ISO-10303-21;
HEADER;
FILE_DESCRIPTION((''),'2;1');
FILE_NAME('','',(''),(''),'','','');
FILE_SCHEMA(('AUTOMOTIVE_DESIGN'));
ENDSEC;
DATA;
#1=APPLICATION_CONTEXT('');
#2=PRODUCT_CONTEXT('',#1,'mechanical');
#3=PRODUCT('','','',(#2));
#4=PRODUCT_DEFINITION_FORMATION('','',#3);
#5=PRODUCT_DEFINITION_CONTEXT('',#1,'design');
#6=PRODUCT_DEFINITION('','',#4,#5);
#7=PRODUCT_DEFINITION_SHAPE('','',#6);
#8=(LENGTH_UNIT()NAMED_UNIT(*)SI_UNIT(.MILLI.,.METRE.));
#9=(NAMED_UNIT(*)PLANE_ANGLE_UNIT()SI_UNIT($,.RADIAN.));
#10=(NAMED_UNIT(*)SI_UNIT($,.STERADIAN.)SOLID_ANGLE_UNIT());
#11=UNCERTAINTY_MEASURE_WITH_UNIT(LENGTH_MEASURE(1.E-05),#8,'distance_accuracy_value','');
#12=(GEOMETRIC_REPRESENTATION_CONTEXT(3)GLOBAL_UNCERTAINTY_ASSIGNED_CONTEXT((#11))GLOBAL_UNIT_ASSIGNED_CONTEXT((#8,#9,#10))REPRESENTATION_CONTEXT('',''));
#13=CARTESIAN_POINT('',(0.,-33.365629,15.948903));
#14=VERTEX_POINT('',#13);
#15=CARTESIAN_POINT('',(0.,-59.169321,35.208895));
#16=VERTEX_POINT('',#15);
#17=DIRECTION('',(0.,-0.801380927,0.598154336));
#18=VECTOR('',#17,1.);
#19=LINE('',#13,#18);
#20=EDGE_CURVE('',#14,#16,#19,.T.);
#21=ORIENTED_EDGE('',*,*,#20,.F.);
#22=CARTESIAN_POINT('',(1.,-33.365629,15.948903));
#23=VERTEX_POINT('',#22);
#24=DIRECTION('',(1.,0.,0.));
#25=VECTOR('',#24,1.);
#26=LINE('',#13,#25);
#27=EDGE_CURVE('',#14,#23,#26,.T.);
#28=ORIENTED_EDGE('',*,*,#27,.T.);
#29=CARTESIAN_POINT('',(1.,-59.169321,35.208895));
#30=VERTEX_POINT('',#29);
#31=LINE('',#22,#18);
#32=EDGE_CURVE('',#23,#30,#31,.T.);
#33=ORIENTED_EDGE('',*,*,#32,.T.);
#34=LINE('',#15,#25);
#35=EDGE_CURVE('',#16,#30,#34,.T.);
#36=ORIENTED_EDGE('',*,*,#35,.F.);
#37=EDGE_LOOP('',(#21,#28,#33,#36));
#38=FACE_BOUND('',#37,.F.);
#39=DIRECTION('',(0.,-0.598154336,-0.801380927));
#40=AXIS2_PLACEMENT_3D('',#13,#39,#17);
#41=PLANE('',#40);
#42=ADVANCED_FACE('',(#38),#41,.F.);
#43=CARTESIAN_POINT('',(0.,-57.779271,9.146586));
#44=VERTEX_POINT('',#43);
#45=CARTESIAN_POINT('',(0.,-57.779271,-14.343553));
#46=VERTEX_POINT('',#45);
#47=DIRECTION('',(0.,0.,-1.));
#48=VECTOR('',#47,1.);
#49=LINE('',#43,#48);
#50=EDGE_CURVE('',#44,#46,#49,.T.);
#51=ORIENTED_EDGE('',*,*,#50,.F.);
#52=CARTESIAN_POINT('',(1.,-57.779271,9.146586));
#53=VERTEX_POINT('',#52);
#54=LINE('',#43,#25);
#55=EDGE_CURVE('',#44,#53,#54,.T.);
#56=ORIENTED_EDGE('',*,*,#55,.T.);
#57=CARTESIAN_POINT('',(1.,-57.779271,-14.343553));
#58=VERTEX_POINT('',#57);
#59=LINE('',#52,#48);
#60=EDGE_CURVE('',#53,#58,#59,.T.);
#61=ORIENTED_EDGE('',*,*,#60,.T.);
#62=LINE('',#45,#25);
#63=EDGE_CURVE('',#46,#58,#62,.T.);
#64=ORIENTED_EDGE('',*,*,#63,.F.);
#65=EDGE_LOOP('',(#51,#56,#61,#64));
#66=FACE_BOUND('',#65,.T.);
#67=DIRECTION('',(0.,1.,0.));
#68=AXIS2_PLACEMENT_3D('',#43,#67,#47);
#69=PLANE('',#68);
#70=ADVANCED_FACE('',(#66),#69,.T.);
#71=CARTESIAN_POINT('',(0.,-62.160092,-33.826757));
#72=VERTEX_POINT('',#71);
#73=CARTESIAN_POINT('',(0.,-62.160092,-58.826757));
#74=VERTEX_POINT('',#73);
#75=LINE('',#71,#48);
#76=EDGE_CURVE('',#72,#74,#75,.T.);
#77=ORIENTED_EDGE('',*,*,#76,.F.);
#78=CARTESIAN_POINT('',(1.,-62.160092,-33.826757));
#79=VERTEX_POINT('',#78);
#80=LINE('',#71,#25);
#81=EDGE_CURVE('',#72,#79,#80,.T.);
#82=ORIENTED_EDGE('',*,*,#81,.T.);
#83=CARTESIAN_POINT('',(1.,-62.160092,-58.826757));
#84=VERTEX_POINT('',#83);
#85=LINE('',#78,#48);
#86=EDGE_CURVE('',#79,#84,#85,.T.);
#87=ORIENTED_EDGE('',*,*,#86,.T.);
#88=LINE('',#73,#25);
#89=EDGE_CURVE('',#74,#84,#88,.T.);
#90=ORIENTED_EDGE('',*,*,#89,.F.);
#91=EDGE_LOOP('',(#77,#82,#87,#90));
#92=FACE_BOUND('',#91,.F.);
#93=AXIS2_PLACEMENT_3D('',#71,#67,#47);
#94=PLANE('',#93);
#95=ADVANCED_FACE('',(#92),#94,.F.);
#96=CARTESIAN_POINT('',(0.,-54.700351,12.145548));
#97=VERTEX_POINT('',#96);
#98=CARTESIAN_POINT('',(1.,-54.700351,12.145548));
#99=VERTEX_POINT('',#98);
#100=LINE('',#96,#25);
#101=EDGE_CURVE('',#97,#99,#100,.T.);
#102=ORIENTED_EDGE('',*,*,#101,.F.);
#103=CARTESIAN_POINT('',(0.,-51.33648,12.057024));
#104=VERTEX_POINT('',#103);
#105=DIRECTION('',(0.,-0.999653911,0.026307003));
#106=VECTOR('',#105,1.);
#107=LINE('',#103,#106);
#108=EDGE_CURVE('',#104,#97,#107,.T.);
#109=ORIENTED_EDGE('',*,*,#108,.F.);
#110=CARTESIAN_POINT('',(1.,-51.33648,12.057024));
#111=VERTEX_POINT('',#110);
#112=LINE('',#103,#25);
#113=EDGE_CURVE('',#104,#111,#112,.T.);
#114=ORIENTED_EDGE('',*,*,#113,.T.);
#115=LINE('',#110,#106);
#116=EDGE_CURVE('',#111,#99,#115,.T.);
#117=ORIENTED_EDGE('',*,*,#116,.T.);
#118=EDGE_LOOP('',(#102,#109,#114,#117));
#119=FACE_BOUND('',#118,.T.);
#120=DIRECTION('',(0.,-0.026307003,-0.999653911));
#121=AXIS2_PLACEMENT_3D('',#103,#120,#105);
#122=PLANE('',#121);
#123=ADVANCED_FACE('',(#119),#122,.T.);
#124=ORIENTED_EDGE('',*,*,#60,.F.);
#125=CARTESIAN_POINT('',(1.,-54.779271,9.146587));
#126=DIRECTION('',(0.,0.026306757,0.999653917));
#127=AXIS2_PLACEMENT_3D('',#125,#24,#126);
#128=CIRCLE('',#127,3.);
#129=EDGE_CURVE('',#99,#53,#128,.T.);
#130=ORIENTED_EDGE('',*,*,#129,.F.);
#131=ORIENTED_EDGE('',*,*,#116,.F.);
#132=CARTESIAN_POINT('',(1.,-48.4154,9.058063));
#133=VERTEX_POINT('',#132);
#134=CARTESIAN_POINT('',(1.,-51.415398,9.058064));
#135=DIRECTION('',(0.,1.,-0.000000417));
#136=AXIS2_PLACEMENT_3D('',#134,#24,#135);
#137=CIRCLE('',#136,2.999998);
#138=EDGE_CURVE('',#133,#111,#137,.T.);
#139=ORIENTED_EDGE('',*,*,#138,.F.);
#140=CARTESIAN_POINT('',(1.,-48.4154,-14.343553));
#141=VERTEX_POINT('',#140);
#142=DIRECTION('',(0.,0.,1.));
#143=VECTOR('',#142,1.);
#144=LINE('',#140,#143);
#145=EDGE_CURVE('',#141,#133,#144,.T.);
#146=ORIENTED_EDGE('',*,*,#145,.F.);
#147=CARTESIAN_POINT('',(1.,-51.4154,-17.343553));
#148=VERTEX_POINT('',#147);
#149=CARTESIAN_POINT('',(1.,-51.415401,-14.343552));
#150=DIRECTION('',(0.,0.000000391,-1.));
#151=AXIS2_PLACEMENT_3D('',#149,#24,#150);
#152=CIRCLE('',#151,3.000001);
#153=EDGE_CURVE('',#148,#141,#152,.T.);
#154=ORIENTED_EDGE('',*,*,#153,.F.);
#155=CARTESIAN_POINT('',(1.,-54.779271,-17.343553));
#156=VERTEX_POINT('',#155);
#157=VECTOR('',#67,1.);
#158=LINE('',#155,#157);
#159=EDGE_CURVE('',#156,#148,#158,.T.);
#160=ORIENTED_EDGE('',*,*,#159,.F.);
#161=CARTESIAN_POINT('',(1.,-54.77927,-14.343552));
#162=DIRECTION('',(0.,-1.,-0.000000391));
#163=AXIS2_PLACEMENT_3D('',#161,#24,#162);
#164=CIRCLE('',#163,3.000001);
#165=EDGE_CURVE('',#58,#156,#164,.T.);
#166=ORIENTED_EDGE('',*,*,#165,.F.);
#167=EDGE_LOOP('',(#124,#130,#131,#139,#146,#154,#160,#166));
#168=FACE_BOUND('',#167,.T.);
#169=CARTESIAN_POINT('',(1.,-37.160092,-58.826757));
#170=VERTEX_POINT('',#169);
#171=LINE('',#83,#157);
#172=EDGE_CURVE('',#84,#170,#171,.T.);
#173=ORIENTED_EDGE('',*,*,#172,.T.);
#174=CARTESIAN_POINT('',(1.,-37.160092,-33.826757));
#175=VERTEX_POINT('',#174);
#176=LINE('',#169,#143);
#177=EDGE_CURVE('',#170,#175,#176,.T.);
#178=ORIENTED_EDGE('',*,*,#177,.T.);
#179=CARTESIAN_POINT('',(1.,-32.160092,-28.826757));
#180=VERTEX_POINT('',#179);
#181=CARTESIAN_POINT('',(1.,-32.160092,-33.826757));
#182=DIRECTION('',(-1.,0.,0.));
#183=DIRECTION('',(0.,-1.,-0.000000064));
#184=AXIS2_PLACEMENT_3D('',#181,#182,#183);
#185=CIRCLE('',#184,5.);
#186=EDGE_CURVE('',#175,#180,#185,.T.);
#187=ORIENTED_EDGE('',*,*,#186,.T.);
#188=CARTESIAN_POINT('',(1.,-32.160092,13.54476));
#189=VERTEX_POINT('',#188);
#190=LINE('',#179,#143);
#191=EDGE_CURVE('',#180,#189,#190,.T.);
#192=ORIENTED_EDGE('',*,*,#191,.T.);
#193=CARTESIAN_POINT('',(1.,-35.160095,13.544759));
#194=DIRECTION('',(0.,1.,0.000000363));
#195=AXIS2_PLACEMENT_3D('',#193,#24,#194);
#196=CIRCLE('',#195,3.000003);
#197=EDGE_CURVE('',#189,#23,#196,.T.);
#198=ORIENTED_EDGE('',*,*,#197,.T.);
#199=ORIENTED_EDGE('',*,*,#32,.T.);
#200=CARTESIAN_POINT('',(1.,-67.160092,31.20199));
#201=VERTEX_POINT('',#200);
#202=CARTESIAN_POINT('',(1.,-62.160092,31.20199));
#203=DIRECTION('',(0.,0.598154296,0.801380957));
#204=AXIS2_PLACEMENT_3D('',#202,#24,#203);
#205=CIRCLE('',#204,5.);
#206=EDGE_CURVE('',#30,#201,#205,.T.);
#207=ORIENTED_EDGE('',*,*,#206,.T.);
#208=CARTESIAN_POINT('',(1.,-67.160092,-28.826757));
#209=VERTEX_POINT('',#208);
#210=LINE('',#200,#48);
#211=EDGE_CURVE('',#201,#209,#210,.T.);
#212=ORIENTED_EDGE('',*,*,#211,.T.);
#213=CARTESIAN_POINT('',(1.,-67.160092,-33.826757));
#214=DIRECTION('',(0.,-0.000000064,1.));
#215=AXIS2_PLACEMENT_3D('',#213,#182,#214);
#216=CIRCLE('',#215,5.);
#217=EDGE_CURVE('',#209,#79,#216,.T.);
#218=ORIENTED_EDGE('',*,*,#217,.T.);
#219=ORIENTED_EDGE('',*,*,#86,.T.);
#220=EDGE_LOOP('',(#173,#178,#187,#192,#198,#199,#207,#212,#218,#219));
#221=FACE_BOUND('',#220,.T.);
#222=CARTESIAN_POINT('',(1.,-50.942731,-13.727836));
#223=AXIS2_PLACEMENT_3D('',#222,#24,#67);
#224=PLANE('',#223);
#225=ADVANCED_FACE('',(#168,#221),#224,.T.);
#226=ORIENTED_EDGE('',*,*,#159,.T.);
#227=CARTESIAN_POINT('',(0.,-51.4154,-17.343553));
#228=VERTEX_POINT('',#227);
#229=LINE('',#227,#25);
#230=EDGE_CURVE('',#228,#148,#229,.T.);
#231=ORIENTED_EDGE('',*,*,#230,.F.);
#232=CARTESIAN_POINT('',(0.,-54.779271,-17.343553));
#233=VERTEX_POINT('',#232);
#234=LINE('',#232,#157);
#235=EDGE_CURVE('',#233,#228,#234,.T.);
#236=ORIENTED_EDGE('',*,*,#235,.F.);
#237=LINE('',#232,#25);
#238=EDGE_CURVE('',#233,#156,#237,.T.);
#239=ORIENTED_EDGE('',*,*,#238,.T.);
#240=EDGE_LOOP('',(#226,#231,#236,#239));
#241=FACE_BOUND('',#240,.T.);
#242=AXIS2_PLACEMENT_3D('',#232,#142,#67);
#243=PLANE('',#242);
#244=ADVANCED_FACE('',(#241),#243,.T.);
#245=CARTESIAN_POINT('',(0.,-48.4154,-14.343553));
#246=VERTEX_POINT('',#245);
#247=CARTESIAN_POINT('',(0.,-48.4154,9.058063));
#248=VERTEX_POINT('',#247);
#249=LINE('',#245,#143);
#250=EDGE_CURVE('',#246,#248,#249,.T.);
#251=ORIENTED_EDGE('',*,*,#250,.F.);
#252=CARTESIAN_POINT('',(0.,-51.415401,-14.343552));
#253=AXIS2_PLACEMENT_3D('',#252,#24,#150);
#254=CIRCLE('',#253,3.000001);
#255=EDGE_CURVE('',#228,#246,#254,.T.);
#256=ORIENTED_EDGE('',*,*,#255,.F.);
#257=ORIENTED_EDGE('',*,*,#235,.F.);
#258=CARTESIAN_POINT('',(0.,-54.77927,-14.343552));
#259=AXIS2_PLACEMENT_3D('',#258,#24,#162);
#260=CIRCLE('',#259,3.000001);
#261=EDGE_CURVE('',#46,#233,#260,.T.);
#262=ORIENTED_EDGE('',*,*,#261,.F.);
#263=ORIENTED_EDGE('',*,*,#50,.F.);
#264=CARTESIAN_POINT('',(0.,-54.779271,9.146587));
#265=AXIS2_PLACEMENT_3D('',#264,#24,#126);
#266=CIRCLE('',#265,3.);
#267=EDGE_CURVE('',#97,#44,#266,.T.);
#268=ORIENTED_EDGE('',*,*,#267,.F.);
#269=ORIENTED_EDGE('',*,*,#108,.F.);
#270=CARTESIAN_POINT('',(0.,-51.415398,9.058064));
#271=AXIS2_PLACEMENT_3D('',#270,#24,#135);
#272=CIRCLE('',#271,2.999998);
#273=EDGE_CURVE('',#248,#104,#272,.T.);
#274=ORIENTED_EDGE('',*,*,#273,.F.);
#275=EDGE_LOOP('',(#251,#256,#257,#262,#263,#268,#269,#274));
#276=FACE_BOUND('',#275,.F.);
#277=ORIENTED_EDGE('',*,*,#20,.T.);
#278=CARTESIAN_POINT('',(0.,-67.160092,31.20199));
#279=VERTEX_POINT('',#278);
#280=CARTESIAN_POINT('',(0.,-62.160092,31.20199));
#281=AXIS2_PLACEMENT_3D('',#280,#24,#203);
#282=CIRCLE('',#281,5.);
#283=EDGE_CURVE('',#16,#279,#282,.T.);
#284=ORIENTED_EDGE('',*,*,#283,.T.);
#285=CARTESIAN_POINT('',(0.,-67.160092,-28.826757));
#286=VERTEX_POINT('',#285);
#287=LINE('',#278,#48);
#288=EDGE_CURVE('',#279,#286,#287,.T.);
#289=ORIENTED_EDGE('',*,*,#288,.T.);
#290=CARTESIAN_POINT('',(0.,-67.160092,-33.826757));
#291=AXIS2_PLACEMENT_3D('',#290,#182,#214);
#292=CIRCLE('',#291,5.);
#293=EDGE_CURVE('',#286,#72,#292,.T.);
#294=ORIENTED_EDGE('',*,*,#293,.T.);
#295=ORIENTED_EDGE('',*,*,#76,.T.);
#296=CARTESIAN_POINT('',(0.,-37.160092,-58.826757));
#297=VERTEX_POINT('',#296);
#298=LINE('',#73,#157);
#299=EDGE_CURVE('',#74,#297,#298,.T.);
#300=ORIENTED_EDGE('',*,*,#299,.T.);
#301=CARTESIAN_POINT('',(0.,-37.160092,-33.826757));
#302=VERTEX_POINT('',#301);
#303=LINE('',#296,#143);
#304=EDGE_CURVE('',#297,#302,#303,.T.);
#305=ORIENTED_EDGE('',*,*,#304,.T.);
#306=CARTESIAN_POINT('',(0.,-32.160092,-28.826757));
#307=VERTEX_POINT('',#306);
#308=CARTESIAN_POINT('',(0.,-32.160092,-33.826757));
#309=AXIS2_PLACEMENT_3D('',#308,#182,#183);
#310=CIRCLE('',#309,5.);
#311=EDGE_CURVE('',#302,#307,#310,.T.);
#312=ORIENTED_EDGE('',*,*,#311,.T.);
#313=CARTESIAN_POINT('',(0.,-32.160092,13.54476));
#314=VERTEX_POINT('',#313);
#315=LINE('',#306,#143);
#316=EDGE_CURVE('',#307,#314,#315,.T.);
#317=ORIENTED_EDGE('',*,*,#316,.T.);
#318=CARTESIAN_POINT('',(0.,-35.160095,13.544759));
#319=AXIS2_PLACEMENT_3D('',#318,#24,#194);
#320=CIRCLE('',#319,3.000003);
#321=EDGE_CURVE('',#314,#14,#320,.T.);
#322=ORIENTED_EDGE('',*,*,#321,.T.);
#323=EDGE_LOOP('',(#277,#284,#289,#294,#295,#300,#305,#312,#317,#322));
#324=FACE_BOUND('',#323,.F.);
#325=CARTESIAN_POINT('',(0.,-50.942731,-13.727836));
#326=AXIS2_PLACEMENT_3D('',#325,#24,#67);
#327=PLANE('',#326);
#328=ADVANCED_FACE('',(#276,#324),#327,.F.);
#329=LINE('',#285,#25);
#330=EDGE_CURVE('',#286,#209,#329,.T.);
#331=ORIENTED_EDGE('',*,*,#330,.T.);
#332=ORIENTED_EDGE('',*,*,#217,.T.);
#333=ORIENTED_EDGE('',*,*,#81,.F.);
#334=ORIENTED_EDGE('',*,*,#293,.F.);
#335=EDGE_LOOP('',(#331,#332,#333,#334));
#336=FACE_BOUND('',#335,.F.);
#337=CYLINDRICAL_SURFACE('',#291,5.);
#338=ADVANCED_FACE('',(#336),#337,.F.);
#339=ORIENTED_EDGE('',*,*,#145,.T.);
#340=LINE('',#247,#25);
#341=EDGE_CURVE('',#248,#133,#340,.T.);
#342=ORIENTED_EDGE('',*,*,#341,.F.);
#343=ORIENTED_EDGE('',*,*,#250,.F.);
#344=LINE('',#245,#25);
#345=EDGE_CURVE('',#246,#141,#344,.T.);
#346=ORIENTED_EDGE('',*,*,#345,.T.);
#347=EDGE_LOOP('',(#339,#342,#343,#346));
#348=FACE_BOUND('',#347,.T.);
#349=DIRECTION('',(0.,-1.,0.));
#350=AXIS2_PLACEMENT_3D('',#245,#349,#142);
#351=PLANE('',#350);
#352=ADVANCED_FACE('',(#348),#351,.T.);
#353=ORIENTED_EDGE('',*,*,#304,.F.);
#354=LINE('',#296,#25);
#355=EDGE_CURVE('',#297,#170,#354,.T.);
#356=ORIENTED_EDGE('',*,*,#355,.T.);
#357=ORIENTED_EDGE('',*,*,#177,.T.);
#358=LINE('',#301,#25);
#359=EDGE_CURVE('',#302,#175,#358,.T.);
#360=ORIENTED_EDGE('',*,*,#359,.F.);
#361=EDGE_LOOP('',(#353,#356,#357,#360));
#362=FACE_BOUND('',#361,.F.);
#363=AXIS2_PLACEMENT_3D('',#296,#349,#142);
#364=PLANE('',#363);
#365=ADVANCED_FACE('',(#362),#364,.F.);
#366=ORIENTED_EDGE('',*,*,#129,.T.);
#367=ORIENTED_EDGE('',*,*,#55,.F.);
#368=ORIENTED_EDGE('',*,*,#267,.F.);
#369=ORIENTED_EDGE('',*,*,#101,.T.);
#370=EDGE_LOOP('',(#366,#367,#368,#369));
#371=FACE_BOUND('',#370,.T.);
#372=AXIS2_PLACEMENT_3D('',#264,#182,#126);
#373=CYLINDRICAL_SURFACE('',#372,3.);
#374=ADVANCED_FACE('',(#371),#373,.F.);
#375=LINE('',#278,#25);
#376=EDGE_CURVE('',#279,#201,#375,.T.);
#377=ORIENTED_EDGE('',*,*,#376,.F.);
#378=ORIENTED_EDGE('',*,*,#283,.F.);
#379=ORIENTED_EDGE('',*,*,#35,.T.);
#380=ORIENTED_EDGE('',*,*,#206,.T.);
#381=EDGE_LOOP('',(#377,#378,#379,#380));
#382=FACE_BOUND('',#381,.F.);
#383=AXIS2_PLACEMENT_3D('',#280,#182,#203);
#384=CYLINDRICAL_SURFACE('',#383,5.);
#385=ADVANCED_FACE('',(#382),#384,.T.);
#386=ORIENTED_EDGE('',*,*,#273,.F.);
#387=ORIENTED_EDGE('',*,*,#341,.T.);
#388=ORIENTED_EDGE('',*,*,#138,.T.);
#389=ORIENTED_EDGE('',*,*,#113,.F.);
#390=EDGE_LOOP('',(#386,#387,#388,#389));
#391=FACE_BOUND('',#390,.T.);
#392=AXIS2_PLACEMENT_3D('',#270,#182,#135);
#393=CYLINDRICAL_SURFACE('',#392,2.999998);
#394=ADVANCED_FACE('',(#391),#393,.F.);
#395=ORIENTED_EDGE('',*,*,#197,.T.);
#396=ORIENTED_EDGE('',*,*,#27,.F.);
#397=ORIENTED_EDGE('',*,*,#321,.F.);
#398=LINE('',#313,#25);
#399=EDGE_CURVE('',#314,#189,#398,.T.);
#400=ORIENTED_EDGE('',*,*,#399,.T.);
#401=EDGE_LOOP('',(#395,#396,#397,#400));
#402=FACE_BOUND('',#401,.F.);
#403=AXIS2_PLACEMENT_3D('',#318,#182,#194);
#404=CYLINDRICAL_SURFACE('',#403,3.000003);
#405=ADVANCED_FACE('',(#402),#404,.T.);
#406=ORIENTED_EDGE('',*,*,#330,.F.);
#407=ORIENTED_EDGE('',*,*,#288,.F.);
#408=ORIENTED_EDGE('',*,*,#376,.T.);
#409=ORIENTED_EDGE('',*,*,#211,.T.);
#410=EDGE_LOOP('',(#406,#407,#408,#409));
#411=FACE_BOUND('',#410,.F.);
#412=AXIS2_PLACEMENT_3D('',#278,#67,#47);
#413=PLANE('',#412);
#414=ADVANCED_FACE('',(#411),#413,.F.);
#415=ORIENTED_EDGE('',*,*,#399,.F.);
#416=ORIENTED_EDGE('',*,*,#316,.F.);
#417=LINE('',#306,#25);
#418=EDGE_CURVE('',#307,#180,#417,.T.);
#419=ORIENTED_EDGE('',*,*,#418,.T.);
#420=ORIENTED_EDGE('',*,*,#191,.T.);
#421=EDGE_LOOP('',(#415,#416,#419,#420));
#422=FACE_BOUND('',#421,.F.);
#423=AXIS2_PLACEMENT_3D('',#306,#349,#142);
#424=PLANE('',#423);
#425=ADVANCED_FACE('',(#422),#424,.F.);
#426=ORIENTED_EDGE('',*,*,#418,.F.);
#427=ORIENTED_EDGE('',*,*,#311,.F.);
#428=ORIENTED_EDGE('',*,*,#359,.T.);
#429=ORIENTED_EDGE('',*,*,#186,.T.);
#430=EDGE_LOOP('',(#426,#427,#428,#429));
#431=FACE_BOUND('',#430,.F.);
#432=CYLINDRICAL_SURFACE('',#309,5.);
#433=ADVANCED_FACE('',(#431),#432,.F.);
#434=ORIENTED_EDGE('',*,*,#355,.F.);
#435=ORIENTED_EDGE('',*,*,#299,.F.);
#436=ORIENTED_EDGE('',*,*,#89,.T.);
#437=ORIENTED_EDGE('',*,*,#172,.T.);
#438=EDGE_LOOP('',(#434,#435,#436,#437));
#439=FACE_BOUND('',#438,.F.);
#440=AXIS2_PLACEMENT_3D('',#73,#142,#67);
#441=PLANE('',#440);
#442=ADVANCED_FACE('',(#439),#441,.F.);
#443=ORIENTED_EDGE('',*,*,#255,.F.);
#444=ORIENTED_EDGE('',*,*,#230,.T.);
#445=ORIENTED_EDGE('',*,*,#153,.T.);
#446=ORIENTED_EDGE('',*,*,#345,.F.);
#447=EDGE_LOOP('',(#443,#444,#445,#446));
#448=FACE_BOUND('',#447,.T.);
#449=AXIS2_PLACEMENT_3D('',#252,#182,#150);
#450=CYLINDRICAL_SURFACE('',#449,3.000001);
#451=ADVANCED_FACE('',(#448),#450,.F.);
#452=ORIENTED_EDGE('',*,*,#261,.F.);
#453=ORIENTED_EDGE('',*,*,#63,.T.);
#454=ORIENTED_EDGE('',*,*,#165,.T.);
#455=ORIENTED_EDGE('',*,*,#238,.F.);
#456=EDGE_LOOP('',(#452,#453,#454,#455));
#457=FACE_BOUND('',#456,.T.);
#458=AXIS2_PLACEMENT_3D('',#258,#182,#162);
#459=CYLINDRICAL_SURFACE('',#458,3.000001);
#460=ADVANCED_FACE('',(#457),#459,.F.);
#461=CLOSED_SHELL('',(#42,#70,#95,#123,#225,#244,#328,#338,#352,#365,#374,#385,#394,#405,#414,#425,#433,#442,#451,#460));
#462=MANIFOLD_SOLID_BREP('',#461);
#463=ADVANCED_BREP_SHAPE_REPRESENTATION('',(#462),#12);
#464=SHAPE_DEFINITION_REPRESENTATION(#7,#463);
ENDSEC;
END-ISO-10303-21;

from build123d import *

# Parameters (mm, degrees)
F2_DEPTH = 1
F3_DEPTH = 1


with BuildPart() as f2:
    # F0 (on Right) → F2 (new body)
    with BuildSketch(Plane.YZ):
        with BuildLine():
            Line((-62.160092, -33.826757), (-62.160092, -58.826757))
            Line((-62.160092, -58.826757), (-37.160092, -58.826757))
            Line((-37.160092, -58.826757), (-37.160092, -33.826757))
            ThreePointArc((-37.160092, -33.826757), (-35.695626, -30.291223), (-32.160092, -28.826757))
            Line((-32.160092, -28.826757), (-32.160092, 13.54476))
            ThreePointArc((-32.160092, 13.54476), (-32.478359, 14.889493), (-33.365629, 15.948903))
            Line((-33.365629, 15.948903), (-59.169321, 35.208895))
            ThreePointArc((-59.169321, 35.208895), (-64.401313, 35.671546), (-67.160092, 31.20199))
            Line((-67.160092, 31.20199), (-67.160092, -28.826757))
            ThreePointArc((-67.160092, -28.826757), (-63.624558, -30.291223), (-62.160092, -33.826757))
        make_face()
    extrude(amount=F2_DEPTH)

    # F1 (on Right) → F3 (cut)
    with BuildSketch(Plane.YZ):
        with BuildLine():
            ThreePointArc((-54.700351, 12.145548), (-56.872503, 11.295628), (-57.779271, 9.146586))
            Line((-57.779271, 9.146586), (-57.779271, -14.343553))
            ThreePointArc((-57.779271, -14.343553), (-56.900591, -16.464873), (-54.779271, -17.343553))
            Line((-54.779271, -17.343553), (-51.4154, -17.343553))
            ThreePointArc((-51.4154, -17.343553), (-49.29408, -16.464873), (-48.4154, -14.343553))
            Line((-48.4154, -14.343553), (-48.4154, 9.058063))
            ThreePointArc((-48.4154, 9.058063), (-49.266358, 11.151295), (-51.33648, 12.057024))
            Line((-51.33648, 12.057024), (-54.700351, 12.145548))
        make_face()
    extrude(amount=F3_DEPTH, mode=Mode.SUBTRACT)


solid = f2.part
